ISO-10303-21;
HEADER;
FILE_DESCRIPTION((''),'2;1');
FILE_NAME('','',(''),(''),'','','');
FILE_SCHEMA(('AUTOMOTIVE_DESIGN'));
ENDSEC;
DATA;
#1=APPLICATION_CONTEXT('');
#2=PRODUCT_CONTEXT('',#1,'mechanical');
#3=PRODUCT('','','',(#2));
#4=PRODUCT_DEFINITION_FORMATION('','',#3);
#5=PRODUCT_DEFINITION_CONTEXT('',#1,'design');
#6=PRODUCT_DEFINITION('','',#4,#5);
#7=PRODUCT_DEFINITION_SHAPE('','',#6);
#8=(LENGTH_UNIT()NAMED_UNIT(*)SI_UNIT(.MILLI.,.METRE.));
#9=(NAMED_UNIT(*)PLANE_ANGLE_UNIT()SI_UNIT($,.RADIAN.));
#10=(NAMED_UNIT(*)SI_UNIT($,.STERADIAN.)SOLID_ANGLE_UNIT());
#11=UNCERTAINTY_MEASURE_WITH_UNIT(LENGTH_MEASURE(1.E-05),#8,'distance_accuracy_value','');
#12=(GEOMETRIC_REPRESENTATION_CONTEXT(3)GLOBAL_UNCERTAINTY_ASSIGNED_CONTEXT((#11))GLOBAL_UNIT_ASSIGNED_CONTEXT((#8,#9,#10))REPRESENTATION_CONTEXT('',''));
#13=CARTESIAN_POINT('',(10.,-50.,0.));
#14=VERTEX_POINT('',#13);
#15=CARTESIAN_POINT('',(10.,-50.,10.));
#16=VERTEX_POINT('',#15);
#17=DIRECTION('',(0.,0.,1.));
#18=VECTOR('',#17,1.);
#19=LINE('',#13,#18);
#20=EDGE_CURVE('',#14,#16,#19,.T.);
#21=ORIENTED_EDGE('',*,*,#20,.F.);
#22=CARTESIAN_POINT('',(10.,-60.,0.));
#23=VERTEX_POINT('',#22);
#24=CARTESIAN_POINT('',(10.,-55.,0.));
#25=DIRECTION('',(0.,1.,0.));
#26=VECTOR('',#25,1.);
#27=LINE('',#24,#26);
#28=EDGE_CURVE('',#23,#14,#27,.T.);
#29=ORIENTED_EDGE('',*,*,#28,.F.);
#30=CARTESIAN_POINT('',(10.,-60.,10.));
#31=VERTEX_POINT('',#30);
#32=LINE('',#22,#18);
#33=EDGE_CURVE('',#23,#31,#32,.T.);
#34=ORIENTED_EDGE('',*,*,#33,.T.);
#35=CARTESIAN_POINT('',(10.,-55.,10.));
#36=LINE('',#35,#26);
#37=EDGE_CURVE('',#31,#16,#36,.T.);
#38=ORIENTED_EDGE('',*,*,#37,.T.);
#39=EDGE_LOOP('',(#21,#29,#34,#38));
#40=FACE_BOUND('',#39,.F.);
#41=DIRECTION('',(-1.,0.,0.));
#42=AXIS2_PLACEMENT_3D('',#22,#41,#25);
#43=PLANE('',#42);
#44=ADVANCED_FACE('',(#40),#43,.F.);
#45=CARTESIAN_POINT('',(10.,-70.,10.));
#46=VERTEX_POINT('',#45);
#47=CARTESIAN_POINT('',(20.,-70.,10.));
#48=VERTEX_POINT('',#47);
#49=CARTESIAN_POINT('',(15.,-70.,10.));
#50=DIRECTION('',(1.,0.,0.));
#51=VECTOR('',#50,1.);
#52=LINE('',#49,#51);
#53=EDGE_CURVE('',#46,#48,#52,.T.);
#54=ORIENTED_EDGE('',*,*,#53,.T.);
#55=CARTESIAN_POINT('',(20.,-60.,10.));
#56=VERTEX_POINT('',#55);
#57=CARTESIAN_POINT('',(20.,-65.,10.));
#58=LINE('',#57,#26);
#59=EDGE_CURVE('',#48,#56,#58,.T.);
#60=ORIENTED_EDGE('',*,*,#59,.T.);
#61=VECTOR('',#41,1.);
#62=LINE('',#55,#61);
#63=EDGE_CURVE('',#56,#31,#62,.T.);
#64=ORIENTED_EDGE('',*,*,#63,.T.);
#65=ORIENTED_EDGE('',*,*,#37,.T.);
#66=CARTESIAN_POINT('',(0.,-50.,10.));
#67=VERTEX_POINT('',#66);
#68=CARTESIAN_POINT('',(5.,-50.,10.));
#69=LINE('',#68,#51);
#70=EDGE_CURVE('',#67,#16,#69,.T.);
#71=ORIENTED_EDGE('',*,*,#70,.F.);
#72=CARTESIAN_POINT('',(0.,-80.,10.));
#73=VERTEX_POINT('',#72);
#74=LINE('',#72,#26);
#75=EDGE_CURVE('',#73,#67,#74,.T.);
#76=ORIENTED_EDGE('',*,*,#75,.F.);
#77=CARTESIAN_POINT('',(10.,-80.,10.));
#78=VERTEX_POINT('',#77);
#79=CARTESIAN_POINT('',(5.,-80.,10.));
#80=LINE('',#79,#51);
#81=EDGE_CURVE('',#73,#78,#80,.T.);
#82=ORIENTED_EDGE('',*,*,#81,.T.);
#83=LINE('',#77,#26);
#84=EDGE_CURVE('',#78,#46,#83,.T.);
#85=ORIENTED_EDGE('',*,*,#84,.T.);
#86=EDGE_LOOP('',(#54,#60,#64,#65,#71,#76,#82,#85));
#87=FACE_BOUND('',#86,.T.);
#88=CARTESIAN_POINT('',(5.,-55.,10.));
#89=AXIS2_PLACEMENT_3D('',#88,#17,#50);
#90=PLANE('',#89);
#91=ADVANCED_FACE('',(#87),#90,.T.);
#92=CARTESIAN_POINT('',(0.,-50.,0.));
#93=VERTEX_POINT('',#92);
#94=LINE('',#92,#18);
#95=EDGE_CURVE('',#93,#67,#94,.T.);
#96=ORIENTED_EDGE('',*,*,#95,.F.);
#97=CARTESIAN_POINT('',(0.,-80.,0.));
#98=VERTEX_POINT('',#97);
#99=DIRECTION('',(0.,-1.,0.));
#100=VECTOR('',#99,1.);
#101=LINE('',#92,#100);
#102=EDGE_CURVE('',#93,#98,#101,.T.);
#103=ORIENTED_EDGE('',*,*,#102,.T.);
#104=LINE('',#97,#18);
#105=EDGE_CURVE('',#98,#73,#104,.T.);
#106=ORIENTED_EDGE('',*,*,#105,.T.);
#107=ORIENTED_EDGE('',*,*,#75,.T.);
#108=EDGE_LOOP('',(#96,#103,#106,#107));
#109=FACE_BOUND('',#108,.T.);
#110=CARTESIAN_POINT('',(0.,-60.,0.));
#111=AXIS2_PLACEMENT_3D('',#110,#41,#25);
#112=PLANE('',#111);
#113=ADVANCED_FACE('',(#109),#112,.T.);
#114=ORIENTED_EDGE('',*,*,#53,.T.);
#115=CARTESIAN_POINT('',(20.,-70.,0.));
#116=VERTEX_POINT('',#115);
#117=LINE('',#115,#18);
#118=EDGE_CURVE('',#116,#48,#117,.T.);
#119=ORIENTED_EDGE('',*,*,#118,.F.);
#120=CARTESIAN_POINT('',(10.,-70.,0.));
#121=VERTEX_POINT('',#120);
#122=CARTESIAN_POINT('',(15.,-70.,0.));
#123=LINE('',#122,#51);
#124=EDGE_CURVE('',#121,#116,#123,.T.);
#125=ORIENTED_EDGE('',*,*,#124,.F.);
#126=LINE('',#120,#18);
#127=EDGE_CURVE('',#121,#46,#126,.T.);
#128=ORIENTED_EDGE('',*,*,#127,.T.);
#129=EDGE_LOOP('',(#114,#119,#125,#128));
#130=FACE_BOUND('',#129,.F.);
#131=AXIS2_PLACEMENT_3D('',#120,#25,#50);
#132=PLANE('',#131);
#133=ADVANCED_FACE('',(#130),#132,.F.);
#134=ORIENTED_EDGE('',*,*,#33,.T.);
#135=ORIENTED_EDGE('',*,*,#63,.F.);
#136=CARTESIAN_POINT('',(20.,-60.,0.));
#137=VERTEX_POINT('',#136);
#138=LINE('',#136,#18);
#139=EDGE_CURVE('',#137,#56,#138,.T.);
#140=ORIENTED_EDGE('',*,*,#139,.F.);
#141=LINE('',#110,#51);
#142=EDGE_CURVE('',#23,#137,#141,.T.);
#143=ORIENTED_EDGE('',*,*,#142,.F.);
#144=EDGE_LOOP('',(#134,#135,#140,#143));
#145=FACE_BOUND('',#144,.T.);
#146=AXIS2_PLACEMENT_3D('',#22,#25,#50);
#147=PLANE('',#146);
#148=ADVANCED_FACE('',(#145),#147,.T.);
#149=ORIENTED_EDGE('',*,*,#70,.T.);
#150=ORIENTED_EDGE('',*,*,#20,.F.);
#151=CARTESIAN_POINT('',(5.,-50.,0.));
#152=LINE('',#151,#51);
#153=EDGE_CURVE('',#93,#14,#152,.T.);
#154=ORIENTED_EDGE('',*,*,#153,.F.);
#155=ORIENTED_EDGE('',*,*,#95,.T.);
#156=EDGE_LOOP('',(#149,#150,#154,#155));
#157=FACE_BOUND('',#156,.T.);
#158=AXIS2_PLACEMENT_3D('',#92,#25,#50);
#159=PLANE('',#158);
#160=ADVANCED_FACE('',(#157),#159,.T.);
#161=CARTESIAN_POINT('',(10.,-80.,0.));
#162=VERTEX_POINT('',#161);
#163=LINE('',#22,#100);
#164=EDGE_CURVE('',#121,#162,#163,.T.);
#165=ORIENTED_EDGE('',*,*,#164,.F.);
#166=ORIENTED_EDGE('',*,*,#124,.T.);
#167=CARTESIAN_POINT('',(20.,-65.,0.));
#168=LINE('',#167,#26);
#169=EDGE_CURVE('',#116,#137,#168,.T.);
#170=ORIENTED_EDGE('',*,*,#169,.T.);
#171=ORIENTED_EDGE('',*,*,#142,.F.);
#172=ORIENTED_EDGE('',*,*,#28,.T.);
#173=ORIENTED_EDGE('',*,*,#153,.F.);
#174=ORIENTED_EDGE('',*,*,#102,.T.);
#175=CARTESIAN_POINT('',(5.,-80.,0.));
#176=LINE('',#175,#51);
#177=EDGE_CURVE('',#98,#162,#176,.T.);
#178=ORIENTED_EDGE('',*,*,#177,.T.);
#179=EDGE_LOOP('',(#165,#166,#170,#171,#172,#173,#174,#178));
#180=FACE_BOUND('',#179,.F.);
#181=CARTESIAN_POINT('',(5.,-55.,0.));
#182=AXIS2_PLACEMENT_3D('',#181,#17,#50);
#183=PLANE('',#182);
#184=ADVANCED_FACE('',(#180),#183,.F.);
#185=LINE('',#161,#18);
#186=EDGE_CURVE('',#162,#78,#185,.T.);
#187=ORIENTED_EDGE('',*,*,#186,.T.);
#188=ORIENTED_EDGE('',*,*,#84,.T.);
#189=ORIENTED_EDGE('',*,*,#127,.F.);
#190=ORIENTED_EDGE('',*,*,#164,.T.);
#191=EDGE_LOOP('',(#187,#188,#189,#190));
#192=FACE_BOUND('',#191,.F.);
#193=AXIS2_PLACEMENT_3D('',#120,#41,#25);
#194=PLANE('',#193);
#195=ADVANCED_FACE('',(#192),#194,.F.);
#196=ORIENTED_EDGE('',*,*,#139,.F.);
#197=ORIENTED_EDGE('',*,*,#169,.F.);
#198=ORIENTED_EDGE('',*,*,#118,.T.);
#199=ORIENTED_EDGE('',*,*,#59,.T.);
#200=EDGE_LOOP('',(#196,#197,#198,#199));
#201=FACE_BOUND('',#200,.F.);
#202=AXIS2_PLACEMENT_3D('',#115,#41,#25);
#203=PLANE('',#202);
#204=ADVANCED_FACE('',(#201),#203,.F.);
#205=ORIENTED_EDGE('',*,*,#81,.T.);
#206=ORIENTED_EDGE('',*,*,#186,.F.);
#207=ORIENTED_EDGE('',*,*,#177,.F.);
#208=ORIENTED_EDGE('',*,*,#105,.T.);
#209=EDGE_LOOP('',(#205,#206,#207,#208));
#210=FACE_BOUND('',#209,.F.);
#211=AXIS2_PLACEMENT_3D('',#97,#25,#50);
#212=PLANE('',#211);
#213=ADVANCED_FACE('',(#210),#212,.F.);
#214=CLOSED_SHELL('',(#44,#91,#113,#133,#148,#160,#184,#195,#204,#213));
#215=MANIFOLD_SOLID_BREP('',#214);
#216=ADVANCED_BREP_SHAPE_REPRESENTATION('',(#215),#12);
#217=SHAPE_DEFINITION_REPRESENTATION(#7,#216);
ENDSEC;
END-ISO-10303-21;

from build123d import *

# Parameters (mm, degrees)
BOX005_W     = 10
BOX005_H     = 10
BOX005_DEPTH = 10
BOX007_W     = 10
BOX007_H     = 10
BOX007_DEPTH = 10
BOX006_W     = 10
BOX006_H     = 10
BOX006_DEPTH = 10
BOX004_W     = 10
BOX004_H     = 10
BOX004_DEPTH = 10


with BuildPart() as cubo005:
    # Box005 → Box005 (new body)
    with BuildSketch(Plane(origin=(0, 10, 0), x_dir=(1, 0, 0), z_dir=(0, 0, 1))):
        with Locations((5, 5)):
            Rectangle(BOX005_W, BOX005_H)
    extrude(amount=BOX005_DEPTH)


with BuildPart() as cubo007:
    # Box007 → Box007 (new body)
    with BuildSketch(Plane(origin=(10, 10, 0), x_dir=(1, 0, 0), z_dir=(0, 0, 1))):
        with Locations((5, 5)):
            Rectangle(BOX007_W, BOX007_H)
    extrude(amount=BOX007_DEPTH)


with BuildPart() as cubo006:
    # Box006 → Box006 (new body)
    with BuildSketch(Plane(origin=(0, 20, 0), x_dir=(1, 0, 0), z_dir=(0, 0, 1))):
        with Locations((5, 5)):
            Rectangle(BOX006_W, BOX006_H)
    extrude(amount=BOX006_DEPTH)


with BuildPart() as fusion002:
    # Box004 → Box004 (new body)
    with BuildSketch(Plane.XY):
        with Locations((5, 5)):
            Rectangle(BOX004_W, BOX004_H)
    extrude(amount=BOX004_DEPTH)

    # Fusion002: union Cubo005, Cubo007, Cubo006
    add(cubo005.part)
    add(cubo007.part)
    add(cubo006.part)


with BuildPart() as fusion002_1:
    # Fusion002 placement: moved
    add(fusion002.part.moved(Location((0, -80, 0))))


solid = fusion002_1.part
